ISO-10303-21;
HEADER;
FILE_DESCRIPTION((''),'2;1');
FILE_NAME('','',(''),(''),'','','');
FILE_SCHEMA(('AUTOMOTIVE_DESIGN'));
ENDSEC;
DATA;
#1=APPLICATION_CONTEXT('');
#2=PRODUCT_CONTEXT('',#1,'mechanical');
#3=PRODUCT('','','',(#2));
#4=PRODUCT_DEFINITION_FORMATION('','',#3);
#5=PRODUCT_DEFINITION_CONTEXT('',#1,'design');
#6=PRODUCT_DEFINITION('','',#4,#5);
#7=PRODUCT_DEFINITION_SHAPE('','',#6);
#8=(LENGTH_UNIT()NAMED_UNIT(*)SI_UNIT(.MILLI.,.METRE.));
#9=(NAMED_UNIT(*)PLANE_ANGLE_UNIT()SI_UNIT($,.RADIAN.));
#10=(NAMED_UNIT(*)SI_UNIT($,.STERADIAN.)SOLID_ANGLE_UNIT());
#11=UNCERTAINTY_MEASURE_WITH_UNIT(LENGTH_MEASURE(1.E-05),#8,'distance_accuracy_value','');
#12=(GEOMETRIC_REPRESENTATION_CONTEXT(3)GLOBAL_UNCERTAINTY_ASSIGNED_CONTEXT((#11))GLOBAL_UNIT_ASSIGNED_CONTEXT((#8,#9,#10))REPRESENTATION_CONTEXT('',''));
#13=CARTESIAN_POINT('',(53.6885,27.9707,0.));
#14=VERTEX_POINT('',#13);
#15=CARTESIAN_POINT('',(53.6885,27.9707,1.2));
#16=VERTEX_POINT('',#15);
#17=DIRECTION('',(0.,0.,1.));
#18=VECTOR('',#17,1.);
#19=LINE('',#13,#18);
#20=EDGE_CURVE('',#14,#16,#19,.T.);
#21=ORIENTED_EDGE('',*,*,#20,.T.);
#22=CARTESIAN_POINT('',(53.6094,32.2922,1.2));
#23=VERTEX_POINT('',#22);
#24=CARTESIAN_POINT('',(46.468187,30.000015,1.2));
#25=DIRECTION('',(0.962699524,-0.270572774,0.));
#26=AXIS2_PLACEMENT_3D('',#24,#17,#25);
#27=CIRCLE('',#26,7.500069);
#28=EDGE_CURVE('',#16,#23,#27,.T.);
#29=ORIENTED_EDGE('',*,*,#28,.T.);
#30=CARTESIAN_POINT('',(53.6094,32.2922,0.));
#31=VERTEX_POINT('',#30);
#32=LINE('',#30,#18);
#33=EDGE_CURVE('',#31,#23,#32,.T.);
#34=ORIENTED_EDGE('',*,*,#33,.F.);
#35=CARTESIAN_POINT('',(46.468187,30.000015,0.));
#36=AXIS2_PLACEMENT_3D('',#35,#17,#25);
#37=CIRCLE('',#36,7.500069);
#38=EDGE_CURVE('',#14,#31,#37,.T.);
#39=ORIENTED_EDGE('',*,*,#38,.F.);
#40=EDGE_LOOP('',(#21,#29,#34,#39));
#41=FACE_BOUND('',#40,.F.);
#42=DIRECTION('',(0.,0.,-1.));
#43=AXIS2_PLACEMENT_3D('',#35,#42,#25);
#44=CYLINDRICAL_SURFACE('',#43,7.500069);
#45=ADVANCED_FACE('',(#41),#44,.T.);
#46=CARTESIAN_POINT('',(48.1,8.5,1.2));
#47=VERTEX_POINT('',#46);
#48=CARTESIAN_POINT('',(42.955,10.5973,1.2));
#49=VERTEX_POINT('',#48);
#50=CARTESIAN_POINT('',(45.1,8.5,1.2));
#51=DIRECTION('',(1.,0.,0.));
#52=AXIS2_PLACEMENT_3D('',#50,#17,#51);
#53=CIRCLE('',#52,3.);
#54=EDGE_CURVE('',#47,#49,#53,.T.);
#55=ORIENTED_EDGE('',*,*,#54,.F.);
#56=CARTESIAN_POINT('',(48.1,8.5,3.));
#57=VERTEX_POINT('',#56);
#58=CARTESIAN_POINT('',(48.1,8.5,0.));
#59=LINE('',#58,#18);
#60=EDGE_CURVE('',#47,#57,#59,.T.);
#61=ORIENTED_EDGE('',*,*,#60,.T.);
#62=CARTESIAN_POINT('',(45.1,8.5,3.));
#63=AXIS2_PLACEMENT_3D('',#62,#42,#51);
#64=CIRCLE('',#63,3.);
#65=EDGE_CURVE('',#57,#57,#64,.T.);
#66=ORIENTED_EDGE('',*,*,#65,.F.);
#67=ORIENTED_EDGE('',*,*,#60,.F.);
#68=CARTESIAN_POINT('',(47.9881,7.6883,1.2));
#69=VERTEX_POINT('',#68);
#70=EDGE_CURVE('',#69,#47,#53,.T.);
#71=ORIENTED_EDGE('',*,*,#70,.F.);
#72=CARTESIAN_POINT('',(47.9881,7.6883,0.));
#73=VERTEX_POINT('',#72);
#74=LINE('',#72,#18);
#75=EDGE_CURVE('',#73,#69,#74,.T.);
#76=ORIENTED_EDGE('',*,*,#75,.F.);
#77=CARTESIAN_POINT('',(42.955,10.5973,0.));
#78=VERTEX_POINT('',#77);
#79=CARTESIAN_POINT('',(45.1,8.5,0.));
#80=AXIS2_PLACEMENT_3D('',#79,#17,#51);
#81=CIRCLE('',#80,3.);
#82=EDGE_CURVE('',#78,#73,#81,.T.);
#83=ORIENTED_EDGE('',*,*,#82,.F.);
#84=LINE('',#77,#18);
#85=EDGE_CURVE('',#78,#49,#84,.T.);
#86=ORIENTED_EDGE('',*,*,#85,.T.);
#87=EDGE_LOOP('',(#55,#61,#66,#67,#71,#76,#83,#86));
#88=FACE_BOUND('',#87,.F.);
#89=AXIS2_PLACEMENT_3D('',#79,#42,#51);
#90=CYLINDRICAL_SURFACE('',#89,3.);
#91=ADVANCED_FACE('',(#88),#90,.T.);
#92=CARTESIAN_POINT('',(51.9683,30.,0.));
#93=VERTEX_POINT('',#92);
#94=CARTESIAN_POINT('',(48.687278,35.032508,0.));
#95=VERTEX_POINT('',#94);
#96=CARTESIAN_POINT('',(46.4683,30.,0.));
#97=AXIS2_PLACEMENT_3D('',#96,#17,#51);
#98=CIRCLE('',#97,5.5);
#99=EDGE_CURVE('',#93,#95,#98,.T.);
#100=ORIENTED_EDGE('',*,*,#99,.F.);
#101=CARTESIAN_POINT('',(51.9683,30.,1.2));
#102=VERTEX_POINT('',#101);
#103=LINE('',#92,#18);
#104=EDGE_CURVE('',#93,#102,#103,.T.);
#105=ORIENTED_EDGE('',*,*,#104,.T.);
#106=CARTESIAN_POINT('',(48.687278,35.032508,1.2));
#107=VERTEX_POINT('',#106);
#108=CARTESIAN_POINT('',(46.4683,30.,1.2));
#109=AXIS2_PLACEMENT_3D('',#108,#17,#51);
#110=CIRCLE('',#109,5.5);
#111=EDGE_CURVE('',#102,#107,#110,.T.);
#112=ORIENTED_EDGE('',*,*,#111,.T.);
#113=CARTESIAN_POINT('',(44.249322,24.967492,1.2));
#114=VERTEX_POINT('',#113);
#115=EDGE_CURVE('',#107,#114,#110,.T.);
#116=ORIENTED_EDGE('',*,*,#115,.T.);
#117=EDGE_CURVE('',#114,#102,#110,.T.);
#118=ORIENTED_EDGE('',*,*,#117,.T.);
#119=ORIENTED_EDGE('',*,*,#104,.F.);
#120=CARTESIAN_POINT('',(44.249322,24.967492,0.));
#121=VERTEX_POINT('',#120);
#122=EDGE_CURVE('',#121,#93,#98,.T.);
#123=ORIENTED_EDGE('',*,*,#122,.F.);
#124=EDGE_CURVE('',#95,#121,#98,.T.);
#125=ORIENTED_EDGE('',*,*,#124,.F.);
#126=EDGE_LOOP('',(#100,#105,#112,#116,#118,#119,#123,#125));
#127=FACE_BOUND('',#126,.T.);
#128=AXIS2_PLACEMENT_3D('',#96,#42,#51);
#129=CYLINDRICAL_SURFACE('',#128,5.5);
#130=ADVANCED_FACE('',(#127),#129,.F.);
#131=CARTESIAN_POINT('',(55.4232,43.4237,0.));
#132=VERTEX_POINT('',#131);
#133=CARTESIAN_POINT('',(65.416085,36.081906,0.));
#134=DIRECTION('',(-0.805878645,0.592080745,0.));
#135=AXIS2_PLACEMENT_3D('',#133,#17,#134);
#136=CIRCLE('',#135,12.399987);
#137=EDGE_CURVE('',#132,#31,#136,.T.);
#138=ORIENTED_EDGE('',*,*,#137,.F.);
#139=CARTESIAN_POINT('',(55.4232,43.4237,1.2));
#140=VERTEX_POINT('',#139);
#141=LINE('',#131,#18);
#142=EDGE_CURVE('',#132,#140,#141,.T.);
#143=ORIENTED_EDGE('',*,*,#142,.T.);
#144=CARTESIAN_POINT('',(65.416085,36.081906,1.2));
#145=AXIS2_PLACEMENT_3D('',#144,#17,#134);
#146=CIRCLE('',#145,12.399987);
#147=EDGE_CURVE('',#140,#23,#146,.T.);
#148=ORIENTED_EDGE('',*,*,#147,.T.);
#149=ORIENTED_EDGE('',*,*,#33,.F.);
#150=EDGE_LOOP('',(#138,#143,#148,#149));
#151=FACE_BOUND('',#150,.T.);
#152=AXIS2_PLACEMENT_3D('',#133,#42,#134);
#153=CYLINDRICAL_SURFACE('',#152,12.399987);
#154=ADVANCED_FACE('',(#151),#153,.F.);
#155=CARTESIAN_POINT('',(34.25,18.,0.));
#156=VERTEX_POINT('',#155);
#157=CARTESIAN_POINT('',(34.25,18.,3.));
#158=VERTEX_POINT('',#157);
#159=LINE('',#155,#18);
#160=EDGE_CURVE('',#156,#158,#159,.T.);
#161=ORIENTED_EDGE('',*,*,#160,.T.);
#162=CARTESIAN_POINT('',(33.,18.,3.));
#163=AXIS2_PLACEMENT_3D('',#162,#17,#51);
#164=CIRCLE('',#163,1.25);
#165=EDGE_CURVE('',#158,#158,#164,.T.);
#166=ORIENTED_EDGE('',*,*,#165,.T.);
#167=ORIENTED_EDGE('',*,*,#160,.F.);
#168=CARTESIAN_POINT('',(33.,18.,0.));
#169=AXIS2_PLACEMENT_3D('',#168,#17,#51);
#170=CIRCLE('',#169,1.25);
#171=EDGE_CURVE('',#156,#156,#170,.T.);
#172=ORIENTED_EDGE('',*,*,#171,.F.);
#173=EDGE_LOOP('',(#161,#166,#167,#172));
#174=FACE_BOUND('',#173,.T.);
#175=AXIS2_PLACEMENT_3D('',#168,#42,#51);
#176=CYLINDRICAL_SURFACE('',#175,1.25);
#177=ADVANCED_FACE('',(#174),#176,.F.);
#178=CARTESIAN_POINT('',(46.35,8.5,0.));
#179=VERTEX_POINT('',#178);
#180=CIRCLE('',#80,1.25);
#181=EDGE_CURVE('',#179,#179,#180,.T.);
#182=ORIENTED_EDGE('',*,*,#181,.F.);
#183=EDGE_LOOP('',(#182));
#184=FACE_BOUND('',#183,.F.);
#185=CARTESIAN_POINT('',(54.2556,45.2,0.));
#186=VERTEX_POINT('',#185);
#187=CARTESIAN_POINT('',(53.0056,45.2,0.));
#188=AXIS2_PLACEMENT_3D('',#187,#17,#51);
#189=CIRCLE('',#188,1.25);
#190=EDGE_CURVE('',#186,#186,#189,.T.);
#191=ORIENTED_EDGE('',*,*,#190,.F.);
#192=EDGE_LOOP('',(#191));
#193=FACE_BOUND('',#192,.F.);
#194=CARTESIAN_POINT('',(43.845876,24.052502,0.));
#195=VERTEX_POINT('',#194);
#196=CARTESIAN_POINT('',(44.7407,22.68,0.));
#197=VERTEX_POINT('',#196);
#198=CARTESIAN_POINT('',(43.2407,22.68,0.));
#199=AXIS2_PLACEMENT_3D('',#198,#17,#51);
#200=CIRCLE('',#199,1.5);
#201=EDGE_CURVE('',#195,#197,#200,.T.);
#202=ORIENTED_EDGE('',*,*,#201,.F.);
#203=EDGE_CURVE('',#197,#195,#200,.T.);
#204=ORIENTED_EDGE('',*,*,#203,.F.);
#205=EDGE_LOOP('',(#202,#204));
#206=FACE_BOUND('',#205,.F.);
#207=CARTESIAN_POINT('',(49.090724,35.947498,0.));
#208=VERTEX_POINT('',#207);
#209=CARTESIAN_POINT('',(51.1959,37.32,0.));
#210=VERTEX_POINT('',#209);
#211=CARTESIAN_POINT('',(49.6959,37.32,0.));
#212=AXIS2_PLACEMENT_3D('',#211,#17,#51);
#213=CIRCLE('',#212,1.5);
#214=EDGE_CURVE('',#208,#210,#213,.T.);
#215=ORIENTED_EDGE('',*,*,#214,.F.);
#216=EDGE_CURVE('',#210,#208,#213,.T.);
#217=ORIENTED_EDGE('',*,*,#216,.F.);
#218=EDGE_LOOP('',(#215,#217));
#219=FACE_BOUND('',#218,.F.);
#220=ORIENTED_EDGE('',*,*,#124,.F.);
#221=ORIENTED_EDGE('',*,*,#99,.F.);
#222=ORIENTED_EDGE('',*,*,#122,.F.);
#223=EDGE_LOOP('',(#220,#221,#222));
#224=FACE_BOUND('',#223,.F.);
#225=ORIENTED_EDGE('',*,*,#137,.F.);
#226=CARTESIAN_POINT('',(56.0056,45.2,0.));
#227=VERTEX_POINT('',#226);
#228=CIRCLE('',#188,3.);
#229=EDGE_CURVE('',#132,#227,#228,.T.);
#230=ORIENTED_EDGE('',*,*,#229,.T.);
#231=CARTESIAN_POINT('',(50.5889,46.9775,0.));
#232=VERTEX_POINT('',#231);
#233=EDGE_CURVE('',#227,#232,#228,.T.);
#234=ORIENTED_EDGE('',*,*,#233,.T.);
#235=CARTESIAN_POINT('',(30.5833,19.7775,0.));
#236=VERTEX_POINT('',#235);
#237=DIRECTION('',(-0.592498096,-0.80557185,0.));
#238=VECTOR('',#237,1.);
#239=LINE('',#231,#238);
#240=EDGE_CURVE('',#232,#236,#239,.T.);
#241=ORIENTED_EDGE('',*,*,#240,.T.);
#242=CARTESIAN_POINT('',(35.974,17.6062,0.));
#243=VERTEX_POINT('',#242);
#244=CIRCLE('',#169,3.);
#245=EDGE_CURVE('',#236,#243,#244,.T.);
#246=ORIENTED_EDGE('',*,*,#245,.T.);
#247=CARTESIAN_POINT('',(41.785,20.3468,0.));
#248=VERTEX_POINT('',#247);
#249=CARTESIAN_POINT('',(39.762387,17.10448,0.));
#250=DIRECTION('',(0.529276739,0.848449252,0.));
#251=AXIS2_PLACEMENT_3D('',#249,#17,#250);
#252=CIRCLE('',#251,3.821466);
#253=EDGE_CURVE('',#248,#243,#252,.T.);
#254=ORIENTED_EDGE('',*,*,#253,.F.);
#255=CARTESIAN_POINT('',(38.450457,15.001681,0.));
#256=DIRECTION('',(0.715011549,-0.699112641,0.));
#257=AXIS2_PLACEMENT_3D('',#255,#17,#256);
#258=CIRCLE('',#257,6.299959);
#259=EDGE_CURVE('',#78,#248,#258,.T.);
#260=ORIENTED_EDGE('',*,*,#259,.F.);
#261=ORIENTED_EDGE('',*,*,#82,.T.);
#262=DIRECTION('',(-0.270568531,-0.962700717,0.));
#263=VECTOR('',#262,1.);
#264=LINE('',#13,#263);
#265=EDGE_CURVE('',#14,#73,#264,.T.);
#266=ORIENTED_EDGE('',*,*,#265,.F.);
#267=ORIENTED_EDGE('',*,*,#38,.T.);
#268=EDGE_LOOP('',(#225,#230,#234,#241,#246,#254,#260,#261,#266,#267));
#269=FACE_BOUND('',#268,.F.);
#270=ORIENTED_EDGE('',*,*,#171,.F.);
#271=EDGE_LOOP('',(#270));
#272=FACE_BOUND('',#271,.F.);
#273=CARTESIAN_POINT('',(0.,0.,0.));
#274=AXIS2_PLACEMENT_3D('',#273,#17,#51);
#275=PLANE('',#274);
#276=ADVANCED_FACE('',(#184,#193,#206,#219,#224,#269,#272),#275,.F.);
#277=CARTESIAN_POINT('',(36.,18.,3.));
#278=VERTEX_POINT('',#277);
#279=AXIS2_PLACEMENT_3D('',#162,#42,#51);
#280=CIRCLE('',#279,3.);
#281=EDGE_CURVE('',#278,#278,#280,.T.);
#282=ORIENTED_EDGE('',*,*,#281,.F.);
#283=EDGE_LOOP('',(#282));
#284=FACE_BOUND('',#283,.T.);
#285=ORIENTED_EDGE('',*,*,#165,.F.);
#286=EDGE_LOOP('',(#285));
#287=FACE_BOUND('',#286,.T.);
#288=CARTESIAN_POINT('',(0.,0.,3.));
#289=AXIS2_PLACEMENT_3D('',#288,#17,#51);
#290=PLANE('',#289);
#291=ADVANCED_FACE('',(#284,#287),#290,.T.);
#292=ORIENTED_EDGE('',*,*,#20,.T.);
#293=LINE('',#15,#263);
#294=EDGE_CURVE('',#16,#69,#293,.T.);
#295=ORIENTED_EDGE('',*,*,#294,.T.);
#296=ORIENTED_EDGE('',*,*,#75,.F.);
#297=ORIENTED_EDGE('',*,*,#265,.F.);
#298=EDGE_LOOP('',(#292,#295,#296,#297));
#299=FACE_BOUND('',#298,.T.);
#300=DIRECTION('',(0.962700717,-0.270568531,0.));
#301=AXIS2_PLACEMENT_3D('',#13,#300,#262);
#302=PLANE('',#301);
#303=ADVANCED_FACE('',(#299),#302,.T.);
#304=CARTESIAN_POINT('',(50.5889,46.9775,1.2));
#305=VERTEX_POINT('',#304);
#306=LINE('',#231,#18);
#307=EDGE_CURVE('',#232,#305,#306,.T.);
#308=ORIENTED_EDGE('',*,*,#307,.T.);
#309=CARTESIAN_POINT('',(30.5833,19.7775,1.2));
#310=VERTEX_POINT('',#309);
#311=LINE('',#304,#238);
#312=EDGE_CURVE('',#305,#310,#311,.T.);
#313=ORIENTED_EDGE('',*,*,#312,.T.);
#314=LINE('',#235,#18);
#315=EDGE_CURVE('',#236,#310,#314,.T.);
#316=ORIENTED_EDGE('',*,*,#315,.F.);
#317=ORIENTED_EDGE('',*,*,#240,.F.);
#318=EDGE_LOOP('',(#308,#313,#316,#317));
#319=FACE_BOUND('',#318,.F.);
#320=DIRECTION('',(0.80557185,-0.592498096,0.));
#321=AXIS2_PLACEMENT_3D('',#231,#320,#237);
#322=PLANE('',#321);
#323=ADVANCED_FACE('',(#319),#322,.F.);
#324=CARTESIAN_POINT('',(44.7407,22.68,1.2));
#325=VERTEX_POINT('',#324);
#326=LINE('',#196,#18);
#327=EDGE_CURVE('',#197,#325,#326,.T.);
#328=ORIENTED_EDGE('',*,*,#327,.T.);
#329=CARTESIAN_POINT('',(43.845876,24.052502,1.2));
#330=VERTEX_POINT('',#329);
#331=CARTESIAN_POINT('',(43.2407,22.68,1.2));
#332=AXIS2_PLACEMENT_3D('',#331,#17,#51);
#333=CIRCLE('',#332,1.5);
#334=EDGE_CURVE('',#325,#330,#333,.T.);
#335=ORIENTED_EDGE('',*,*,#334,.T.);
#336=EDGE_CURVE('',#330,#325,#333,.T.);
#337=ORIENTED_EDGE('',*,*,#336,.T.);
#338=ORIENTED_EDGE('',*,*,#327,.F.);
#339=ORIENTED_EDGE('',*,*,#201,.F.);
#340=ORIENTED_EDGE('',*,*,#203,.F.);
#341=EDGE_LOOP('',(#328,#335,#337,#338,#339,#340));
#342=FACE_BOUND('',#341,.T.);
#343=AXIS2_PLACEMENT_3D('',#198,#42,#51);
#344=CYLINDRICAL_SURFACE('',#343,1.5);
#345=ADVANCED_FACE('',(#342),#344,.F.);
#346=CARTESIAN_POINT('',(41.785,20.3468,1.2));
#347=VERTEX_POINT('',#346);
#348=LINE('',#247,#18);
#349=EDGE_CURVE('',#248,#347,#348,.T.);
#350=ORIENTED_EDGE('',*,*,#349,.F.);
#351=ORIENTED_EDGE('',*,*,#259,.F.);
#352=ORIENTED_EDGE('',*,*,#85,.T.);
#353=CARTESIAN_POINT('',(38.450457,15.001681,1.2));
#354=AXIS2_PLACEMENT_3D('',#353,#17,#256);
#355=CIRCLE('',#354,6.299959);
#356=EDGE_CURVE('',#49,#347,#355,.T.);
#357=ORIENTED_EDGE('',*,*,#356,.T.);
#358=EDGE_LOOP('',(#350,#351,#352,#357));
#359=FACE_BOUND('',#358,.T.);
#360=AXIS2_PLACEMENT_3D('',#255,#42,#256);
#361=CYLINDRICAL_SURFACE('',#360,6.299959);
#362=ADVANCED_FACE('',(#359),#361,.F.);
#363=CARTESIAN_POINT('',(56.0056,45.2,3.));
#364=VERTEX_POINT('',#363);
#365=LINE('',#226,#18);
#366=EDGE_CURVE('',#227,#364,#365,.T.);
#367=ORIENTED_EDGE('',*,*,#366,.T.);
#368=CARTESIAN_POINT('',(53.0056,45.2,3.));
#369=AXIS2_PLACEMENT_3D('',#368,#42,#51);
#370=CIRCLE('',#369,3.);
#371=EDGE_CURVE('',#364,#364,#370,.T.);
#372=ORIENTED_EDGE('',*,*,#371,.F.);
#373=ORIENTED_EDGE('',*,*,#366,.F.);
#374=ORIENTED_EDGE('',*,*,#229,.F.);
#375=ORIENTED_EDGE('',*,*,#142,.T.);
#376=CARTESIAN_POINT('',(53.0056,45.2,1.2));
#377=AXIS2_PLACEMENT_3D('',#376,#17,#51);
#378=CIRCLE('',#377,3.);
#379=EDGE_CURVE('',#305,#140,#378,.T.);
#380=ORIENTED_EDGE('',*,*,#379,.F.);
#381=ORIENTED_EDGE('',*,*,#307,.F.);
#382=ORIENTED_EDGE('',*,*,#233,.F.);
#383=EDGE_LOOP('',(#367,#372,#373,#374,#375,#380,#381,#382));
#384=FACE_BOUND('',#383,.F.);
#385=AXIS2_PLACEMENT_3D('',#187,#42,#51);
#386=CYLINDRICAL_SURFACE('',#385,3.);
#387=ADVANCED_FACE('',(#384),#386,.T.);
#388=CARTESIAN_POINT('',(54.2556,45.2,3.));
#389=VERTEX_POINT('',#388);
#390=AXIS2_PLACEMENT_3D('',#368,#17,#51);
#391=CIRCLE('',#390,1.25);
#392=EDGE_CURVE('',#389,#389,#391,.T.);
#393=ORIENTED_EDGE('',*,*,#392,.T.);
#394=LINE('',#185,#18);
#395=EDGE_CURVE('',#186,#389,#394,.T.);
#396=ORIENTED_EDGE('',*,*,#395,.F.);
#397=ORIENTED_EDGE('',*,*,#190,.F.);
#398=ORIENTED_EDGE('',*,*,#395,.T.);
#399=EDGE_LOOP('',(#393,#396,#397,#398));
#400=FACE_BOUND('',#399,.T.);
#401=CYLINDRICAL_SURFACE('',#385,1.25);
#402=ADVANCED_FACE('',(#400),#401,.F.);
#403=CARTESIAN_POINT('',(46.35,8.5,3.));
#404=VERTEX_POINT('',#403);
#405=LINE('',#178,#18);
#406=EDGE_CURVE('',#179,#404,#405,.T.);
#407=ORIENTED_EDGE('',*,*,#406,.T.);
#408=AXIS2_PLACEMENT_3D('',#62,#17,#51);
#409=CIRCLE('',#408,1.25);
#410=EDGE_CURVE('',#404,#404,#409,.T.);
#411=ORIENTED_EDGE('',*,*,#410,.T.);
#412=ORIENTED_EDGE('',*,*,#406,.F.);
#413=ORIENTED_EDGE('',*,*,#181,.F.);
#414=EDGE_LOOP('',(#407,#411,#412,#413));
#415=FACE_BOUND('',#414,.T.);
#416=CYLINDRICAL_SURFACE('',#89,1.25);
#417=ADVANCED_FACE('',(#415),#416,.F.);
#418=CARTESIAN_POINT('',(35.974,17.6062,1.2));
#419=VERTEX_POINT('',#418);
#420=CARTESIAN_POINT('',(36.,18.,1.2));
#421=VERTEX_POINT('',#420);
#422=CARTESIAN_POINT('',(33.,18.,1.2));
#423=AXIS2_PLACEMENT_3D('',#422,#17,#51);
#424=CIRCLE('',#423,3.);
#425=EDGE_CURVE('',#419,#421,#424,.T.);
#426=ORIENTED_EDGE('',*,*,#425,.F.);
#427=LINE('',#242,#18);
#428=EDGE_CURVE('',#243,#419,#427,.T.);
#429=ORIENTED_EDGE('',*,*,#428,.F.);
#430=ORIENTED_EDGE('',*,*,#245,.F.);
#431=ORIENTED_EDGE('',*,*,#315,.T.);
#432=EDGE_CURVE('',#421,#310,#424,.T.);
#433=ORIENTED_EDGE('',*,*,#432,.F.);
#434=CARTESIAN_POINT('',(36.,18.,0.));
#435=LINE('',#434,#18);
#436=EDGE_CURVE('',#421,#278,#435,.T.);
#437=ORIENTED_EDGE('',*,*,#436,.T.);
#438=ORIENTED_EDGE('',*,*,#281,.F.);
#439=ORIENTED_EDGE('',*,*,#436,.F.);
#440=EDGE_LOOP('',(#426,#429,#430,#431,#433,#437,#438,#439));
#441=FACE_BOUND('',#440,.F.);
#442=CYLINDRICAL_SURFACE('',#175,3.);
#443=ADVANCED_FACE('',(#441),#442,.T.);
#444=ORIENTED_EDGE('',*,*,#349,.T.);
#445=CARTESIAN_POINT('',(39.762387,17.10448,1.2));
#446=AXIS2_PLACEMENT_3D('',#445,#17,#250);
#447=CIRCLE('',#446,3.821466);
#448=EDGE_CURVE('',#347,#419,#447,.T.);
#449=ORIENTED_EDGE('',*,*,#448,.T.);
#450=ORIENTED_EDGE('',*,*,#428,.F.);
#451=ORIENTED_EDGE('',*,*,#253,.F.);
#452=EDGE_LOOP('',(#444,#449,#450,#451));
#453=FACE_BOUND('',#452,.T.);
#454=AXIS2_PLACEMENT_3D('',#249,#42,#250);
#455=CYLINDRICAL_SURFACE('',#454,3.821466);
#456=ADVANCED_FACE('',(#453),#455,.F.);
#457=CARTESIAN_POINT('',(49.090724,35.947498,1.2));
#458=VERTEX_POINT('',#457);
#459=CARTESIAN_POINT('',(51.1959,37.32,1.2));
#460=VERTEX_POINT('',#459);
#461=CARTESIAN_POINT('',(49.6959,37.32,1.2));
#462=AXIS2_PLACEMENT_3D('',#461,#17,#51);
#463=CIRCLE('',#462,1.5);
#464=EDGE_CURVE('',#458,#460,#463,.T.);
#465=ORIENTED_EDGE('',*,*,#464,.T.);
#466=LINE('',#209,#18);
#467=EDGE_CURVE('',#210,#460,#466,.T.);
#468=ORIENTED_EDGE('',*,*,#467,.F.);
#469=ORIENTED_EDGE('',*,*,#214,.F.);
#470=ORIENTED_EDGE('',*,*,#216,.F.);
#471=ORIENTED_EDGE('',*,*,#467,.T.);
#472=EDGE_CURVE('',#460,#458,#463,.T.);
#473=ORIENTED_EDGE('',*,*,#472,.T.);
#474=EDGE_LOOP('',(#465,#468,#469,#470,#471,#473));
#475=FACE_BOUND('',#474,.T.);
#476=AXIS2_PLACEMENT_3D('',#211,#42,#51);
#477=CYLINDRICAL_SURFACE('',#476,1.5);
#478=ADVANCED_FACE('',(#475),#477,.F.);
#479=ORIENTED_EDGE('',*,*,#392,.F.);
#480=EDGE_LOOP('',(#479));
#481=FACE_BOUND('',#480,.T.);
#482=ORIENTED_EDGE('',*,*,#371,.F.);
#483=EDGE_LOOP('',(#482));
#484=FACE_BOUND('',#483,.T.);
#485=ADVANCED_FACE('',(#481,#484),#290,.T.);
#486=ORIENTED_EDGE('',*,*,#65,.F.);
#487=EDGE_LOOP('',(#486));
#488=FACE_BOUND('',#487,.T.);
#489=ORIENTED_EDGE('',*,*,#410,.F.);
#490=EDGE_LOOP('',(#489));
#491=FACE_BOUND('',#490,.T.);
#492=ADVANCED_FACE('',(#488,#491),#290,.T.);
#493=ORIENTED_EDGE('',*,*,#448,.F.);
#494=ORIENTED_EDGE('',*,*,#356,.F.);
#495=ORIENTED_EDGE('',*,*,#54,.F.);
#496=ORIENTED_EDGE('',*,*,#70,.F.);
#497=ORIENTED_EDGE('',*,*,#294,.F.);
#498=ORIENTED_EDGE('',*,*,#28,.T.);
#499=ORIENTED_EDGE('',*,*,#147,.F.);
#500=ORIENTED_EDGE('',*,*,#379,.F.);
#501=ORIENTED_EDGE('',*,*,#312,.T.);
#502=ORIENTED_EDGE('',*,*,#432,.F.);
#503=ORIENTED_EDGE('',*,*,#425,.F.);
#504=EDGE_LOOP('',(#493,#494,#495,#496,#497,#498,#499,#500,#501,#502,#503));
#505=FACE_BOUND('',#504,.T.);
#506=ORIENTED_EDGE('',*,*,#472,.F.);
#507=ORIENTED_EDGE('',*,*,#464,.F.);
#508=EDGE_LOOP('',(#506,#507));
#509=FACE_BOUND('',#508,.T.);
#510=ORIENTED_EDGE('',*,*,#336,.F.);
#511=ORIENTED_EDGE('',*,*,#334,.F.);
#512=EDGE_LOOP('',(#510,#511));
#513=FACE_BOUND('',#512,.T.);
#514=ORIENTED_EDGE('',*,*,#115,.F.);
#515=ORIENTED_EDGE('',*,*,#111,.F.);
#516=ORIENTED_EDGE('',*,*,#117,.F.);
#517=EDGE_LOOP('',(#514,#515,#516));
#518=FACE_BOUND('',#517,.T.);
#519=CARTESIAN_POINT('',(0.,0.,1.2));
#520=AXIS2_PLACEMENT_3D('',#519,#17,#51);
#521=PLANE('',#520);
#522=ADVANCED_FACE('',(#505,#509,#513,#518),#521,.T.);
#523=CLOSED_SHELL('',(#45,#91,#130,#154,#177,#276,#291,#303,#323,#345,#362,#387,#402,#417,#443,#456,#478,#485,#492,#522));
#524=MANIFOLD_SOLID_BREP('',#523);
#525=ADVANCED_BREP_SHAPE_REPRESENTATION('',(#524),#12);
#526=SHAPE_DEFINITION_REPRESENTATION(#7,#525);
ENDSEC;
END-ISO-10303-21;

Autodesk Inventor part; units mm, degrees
ref_plane "YZ Plane" through (0, 0, 0) normal (1, 0, 0) x (0, 1, 0)
ref_plane "XZ Plane" through (0, 0, 0) normal (0, 1, 0) x (-1, 0, 0)
ref_plane "XY Plane" through (0, 0, 0) normal (0, 0, 1) x (1, 0, 0)
sketch "Sketch1" plane through (0, 0, 0) normal (0, 0, 1) x (1, 0, 0)
  circle A0 centre (46.4683, 30) radius 5.5
  arc A1 (72.1609, 38.7902) -> (45.5671, 45.0103) centre (50.3015, 5.2915) ccw construction
  arc A2 (76.7854, 39.1678) -> (44.5539, 47.9057) centre (50.3015, 5.2915) ccw
  circle A3 centre (53.0056, 45.2) radius 1.25
  circle A4 centre (45.1, 8.5) radius 1.25
  circle A5 centre (49.6959, 37.32) radius 1.5
  line L0 (49.6959, 37.32) -> (46.4683, 30)
  line L1 (46.4683, 30) -> (43.2407, 22.68)
  circle A6 centre (43.2407, 22.68) radius 2.75 construction
  circle A7 centre (33, 18) radius 1.25
  arc A8 (53.6885, 27.9707) -> (53.6094, 32.2922) centre (46.4683, 30) ccw
  circle A9 centre (43.2407, 22.68) radius 1.5
  line L2 (49.6959, 37.32) -> (52.6411, 36.7492) construction
  circle A10 centre (53.0056, 45.2) radius 3
  circle A11 centre (33, 18) radius 3
  circle A12 centre (45.1, 8.5) radius 3
  arc A13 (55.4232, 43.4237) -> (53.6094, 32.2922) centre (65.4161, 36.0819) ccw
  arc A14 (42.955, 10.5973) -> (41.785, 20.3468) centre (38.4504, 15.0017) ccw
  arc A15 (41.785, 20.3468) -> (35.974, 17.6062) centre (39.7624, 17.1047) ccw
  line L3 (53.6885, 27.9707) -> (47.9881, 7.6883)
  line L4 (50.5889, 46.9775) -> (30.5833, 19.7775)
  point P0 (0, 0)
  dimension "d29" = 5.5
  dimension "d24" = 11
  dimension "d25" = 3
  dimension "d26" = 3
  dimension "d27" = 8
  dimension "d28" = 8
  dimension "d30" = 22.68
  dimension "d31" = 2
  dimension "d32" = 3
  dimension "d33" = 3
  dimension "d34" = 6
  dimension "d35" = 6
  dimension "d36" = 6
  dimension "d37" = 6.3
  dimension "d39" = 12.4
extrude "Extrusion1" add sketch "Sketch1" along normal blind 3 contours A12 | A10 | A11
extrude "Extrusion4" add sketch "Sketch1" along normal blind 1.2 contours L3 A12 A14 A15 A11 L4 A10 A13 A8
properties part number "モータマウント" material "Aluminum 2014-T4"
